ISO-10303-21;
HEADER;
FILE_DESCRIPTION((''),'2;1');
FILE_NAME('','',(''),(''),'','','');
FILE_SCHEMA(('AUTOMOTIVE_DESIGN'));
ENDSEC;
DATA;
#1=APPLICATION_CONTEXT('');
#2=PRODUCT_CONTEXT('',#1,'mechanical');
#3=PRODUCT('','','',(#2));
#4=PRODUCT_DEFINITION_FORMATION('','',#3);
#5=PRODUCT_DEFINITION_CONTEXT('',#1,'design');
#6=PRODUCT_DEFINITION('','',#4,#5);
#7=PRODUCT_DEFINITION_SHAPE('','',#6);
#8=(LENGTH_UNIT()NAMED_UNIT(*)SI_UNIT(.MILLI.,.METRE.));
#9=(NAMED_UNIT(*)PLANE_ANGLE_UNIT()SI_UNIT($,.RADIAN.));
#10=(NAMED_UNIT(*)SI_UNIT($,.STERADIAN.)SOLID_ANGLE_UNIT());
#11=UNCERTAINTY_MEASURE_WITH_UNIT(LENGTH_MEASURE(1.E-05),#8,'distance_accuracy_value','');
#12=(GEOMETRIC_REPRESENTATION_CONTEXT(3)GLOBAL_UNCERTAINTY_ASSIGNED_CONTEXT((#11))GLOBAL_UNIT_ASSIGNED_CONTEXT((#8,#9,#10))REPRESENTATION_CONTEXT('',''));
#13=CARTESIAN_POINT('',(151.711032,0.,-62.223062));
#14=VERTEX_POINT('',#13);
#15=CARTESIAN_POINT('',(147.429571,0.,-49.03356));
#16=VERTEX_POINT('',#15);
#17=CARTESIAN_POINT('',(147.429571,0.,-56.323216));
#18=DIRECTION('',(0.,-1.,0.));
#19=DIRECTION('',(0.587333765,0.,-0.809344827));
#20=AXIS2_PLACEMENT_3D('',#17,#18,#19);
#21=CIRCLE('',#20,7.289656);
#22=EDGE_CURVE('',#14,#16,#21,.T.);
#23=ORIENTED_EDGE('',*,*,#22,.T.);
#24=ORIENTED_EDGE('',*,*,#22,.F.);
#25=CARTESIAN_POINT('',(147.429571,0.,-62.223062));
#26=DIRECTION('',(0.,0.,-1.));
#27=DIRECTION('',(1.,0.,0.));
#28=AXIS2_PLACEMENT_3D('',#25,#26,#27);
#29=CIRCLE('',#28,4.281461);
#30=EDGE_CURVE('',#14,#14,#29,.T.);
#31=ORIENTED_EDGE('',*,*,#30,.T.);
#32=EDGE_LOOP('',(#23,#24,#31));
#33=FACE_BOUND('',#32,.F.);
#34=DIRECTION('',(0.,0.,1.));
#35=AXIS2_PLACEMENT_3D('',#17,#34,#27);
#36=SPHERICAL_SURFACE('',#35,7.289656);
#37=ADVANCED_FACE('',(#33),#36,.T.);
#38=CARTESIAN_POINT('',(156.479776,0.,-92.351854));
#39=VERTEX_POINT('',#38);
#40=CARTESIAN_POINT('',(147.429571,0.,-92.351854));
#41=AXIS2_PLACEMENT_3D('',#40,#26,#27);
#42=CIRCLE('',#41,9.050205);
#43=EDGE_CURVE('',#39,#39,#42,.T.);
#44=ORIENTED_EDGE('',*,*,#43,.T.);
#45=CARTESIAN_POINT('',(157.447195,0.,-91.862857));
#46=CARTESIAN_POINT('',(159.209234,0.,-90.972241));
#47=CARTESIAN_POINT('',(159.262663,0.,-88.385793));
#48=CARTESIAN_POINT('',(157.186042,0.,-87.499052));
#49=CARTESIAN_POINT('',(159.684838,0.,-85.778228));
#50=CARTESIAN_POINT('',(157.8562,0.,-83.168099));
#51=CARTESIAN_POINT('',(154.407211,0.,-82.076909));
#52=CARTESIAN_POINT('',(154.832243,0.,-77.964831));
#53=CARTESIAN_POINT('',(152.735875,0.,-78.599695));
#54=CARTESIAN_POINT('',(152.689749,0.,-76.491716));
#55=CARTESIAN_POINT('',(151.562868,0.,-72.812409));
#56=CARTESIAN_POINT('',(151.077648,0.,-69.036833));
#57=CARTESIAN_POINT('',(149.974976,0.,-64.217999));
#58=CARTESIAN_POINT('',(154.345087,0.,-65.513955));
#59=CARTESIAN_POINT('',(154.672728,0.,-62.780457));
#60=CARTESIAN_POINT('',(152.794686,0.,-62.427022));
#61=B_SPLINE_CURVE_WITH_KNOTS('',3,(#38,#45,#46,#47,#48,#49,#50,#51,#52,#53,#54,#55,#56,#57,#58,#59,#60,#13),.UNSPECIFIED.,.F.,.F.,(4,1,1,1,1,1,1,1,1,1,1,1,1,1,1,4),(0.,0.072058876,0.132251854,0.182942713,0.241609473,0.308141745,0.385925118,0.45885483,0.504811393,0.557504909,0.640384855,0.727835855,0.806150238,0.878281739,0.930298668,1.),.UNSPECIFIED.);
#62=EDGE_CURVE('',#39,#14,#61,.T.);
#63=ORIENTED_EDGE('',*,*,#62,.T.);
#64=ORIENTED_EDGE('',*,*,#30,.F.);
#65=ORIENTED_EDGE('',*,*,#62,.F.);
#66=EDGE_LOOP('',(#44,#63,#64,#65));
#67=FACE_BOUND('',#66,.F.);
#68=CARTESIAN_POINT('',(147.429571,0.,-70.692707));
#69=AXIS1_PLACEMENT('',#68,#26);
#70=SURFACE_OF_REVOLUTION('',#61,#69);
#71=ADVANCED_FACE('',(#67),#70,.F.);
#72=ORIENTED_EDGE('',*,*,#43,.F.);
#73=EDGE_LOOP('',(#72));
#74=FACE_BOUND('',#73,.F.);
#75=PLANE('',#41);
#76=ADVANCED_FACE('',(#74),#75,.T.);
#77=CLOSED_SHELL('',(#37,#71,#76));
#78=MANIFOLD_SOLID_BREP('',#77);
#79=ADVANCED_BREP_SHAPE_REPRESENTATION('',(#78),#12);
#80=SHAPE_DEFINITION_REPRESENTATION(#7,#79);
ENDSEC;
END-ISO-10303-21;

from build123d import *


with BuildPart() as f1:
    # F0 (on Front) → F1 (revolve)
    with BuildSketch(Plane.XZ):
        with BuildLine():
            add(Edge.make_bspline(
                [(156.4797759056, -92.3518538475), (157.4471951416, -91.8628566711), (159.2092337903, -90.972240899), (159.2626634222, -88.3857933104), (157.1860424687, -87.4990515236), (159.6848382817, -85.7782277305), (157.8562004512, -83.1680988973), (154.4072114328, -82.076909398), (154.8322432458, -77.9648308646), (152.7358750733, -78.5996952399), (152.689748758, -76.4917163715), (151.5628679324, -72.8124090314), (151.0776480142, -69.0368334956), (149.9749755725, -64.2179990942), (154.3450873606, -65.5139554804), (154.6727277556, -62.7804574307), (152.7946860854, -62.4270221084), (151.7110317945, -62.2230619192)],
                knots=[0, 0, 0, 0, 0.0720588756, 0.1322518537, 0.182942713, 0.2416094732, 0.3081417454, 0.3859251177, 0.4588548299, 0.5048113931, 0.5575049093, 0.6403848553, 0.7278358546, 0.8061502376, 0.8782817387, 0.9302986681, 1, 1, 1, 1], degree=3))
            ThreePointArc((151.7110317945, -62.2230619192), (154.3630737844, -54.0725229032), (147.4295705557, -49.0335601185))
            Line((147.4295705557, -49.0335601185), (147.4295705557, -92.3518538475))
            Line((147.4295705557, -92.3518538475), (156.4797759056, -92.3518538475))
        make_face()
    revolve(axis=Axis((147.4295705557, 0, -70.692706983), (0, 0, -1)))


solid = f1.part
